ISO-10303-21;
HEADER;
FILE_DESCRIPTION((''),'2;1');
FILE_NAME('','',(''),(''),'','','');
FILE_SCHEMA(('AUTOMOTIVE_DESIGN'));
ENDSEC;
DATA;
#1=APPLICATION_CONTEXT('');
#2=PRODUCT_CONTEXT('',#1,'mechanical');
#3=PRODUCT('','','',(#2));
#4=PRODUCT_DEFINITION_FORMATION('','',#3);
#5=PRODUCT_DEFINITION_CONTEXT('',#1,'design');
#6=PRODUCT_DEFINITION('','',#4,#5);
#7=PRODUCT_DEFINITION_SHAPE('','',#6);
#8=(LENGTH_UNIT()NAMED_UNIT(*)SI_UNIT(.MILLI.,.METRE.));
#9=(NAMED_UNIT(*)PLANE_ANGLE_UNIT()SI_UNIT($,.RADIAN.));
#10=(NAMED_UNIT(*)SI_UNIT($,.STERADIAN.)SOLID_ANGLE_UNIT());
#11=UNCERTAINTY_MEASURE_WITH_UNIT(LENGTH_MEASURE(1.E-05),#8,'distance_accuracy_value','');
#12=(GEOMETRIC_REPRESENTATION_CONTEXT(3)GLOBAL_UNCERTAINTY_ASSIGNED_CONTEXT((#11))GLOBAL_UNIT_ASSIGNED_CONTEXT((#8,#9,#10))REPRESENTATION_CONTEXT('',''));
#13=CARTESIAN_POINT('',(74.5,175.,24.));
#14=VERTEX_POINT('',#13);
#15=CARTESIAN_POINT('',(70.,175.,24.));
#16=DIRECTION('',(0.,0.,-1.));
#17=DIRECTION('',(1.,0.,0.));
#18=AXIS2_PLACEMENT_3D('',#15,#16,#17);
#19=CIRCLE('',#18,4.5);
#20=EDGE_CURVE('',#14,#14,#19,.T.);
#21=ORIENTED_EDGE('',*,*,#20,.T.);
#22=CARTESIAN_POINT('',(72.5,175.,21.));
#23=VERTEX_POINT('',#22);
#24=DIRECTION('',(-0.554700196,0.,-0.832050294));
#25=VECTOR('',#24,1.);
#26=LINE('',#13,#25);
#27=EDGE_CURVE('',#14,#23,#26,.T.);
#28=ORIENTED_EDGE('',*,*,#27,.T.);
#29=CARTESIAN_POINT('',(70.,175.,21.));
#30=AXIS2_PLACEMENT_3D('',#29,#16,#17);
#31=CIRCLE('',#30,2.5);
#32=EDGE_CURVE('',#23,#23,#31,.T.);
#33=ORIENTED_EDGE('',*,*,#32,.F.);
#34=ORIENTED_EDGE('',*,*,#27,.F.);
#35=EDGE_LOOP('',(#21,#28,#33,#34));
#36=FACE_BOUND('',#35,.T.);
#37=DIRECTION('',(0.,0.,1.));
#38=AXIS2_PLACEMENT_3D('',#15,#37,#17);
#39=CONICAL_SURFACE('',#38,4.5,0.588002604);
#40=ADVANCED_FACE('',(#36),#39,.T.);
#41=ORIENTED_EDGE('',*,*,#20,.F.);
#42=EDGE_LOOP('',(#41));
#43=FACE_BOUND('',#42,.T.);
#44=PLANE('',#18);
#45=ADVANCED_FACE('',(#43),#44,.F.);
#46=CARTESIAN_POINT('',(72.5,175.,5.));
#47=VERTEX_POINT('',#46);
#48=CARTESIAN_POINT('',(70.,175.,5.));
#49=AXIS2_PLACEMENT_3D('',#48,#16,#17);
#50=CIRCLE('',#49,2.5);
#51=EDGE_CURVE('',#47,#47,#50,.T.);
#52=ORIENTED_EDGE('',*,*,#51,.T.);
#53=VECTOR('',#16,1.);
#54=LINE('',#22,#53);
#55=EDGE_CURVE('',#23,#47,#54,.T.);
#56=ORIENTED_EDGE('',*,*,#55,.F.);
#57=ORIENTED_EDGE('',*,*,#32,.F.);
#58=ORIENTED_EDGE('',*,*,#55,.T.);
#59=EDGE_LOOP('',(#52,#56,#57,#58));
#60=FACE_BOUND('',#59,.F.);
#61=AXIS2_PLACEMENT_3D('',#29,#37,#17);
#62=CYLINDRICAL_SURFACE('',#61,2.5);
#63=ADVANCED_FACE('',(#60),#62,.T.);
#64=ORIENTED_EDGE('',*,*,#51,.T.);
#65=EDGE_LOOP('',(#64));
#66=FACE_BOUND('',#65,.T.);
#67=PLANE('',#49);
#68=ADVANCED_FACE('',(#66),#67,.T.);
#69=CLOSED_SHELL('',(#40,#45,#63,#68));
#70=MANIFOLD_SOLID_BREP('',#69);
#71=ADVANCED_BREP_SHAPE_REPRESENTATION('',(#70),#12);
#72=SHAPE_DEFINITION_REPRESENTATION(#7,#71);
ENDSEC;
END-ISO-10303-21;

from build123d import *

# Parameters (mm, degrees)
CYLINDER011_R                   = 2.5
CYLINDER011_DEPTH               = 16
FUSION001018017_PLACEMENT_ANGLE = 180
CLONE019_PLACEMENT_ANGLE        = 180


with BuildPart() as cone003:
    # Cone003 → Cone003 (revolve)
    with BuildSketch(Plane(origin=(0, 0, -3), x_dir=(1, 0, 0), z_dir=(0, -1, 0))):
        Polygon((0, 0), (4.5, 0), (2.5, 3), (0, 3), align=None)
    revolve(axis=Axis((0, 0, -3), (0, 0, 1)))


with BuildPart() as m5x16_senkkopf005:
    # Cylinder011 → Cylinder011 (new body)
    with BuildSketch(Plane.XY):
        Circle(CYLINDER011_R)
    extrude(amount=CYLINDER011_DEPTH)

    # Fusion001018017: union Cone003
    add(cone003.part)


with BuildPart() as m5x16_senkkopf005_1:
    # Fusion001018017 placement: moved
    add(m5x16_senkkopf005.part.moved(Location((45, 15, 21))).rotate(Axis((45, 15, 21), (0, 1, 0)), FUSION001018017_PLACEMENT_ANGLE))


with BuildPart() as m5x16_senkkopf005_2:
    # Clone019 placement: moved
    add(m5x16_senkkopf005_1.part.moved(Location((115, 190, 0))).rotate(Axis((115, 190, 0), (0, 0, 1)), CLONE019_PLACEMENT_ANGLE))


solid = m5x16_senkkopf005_2.part
